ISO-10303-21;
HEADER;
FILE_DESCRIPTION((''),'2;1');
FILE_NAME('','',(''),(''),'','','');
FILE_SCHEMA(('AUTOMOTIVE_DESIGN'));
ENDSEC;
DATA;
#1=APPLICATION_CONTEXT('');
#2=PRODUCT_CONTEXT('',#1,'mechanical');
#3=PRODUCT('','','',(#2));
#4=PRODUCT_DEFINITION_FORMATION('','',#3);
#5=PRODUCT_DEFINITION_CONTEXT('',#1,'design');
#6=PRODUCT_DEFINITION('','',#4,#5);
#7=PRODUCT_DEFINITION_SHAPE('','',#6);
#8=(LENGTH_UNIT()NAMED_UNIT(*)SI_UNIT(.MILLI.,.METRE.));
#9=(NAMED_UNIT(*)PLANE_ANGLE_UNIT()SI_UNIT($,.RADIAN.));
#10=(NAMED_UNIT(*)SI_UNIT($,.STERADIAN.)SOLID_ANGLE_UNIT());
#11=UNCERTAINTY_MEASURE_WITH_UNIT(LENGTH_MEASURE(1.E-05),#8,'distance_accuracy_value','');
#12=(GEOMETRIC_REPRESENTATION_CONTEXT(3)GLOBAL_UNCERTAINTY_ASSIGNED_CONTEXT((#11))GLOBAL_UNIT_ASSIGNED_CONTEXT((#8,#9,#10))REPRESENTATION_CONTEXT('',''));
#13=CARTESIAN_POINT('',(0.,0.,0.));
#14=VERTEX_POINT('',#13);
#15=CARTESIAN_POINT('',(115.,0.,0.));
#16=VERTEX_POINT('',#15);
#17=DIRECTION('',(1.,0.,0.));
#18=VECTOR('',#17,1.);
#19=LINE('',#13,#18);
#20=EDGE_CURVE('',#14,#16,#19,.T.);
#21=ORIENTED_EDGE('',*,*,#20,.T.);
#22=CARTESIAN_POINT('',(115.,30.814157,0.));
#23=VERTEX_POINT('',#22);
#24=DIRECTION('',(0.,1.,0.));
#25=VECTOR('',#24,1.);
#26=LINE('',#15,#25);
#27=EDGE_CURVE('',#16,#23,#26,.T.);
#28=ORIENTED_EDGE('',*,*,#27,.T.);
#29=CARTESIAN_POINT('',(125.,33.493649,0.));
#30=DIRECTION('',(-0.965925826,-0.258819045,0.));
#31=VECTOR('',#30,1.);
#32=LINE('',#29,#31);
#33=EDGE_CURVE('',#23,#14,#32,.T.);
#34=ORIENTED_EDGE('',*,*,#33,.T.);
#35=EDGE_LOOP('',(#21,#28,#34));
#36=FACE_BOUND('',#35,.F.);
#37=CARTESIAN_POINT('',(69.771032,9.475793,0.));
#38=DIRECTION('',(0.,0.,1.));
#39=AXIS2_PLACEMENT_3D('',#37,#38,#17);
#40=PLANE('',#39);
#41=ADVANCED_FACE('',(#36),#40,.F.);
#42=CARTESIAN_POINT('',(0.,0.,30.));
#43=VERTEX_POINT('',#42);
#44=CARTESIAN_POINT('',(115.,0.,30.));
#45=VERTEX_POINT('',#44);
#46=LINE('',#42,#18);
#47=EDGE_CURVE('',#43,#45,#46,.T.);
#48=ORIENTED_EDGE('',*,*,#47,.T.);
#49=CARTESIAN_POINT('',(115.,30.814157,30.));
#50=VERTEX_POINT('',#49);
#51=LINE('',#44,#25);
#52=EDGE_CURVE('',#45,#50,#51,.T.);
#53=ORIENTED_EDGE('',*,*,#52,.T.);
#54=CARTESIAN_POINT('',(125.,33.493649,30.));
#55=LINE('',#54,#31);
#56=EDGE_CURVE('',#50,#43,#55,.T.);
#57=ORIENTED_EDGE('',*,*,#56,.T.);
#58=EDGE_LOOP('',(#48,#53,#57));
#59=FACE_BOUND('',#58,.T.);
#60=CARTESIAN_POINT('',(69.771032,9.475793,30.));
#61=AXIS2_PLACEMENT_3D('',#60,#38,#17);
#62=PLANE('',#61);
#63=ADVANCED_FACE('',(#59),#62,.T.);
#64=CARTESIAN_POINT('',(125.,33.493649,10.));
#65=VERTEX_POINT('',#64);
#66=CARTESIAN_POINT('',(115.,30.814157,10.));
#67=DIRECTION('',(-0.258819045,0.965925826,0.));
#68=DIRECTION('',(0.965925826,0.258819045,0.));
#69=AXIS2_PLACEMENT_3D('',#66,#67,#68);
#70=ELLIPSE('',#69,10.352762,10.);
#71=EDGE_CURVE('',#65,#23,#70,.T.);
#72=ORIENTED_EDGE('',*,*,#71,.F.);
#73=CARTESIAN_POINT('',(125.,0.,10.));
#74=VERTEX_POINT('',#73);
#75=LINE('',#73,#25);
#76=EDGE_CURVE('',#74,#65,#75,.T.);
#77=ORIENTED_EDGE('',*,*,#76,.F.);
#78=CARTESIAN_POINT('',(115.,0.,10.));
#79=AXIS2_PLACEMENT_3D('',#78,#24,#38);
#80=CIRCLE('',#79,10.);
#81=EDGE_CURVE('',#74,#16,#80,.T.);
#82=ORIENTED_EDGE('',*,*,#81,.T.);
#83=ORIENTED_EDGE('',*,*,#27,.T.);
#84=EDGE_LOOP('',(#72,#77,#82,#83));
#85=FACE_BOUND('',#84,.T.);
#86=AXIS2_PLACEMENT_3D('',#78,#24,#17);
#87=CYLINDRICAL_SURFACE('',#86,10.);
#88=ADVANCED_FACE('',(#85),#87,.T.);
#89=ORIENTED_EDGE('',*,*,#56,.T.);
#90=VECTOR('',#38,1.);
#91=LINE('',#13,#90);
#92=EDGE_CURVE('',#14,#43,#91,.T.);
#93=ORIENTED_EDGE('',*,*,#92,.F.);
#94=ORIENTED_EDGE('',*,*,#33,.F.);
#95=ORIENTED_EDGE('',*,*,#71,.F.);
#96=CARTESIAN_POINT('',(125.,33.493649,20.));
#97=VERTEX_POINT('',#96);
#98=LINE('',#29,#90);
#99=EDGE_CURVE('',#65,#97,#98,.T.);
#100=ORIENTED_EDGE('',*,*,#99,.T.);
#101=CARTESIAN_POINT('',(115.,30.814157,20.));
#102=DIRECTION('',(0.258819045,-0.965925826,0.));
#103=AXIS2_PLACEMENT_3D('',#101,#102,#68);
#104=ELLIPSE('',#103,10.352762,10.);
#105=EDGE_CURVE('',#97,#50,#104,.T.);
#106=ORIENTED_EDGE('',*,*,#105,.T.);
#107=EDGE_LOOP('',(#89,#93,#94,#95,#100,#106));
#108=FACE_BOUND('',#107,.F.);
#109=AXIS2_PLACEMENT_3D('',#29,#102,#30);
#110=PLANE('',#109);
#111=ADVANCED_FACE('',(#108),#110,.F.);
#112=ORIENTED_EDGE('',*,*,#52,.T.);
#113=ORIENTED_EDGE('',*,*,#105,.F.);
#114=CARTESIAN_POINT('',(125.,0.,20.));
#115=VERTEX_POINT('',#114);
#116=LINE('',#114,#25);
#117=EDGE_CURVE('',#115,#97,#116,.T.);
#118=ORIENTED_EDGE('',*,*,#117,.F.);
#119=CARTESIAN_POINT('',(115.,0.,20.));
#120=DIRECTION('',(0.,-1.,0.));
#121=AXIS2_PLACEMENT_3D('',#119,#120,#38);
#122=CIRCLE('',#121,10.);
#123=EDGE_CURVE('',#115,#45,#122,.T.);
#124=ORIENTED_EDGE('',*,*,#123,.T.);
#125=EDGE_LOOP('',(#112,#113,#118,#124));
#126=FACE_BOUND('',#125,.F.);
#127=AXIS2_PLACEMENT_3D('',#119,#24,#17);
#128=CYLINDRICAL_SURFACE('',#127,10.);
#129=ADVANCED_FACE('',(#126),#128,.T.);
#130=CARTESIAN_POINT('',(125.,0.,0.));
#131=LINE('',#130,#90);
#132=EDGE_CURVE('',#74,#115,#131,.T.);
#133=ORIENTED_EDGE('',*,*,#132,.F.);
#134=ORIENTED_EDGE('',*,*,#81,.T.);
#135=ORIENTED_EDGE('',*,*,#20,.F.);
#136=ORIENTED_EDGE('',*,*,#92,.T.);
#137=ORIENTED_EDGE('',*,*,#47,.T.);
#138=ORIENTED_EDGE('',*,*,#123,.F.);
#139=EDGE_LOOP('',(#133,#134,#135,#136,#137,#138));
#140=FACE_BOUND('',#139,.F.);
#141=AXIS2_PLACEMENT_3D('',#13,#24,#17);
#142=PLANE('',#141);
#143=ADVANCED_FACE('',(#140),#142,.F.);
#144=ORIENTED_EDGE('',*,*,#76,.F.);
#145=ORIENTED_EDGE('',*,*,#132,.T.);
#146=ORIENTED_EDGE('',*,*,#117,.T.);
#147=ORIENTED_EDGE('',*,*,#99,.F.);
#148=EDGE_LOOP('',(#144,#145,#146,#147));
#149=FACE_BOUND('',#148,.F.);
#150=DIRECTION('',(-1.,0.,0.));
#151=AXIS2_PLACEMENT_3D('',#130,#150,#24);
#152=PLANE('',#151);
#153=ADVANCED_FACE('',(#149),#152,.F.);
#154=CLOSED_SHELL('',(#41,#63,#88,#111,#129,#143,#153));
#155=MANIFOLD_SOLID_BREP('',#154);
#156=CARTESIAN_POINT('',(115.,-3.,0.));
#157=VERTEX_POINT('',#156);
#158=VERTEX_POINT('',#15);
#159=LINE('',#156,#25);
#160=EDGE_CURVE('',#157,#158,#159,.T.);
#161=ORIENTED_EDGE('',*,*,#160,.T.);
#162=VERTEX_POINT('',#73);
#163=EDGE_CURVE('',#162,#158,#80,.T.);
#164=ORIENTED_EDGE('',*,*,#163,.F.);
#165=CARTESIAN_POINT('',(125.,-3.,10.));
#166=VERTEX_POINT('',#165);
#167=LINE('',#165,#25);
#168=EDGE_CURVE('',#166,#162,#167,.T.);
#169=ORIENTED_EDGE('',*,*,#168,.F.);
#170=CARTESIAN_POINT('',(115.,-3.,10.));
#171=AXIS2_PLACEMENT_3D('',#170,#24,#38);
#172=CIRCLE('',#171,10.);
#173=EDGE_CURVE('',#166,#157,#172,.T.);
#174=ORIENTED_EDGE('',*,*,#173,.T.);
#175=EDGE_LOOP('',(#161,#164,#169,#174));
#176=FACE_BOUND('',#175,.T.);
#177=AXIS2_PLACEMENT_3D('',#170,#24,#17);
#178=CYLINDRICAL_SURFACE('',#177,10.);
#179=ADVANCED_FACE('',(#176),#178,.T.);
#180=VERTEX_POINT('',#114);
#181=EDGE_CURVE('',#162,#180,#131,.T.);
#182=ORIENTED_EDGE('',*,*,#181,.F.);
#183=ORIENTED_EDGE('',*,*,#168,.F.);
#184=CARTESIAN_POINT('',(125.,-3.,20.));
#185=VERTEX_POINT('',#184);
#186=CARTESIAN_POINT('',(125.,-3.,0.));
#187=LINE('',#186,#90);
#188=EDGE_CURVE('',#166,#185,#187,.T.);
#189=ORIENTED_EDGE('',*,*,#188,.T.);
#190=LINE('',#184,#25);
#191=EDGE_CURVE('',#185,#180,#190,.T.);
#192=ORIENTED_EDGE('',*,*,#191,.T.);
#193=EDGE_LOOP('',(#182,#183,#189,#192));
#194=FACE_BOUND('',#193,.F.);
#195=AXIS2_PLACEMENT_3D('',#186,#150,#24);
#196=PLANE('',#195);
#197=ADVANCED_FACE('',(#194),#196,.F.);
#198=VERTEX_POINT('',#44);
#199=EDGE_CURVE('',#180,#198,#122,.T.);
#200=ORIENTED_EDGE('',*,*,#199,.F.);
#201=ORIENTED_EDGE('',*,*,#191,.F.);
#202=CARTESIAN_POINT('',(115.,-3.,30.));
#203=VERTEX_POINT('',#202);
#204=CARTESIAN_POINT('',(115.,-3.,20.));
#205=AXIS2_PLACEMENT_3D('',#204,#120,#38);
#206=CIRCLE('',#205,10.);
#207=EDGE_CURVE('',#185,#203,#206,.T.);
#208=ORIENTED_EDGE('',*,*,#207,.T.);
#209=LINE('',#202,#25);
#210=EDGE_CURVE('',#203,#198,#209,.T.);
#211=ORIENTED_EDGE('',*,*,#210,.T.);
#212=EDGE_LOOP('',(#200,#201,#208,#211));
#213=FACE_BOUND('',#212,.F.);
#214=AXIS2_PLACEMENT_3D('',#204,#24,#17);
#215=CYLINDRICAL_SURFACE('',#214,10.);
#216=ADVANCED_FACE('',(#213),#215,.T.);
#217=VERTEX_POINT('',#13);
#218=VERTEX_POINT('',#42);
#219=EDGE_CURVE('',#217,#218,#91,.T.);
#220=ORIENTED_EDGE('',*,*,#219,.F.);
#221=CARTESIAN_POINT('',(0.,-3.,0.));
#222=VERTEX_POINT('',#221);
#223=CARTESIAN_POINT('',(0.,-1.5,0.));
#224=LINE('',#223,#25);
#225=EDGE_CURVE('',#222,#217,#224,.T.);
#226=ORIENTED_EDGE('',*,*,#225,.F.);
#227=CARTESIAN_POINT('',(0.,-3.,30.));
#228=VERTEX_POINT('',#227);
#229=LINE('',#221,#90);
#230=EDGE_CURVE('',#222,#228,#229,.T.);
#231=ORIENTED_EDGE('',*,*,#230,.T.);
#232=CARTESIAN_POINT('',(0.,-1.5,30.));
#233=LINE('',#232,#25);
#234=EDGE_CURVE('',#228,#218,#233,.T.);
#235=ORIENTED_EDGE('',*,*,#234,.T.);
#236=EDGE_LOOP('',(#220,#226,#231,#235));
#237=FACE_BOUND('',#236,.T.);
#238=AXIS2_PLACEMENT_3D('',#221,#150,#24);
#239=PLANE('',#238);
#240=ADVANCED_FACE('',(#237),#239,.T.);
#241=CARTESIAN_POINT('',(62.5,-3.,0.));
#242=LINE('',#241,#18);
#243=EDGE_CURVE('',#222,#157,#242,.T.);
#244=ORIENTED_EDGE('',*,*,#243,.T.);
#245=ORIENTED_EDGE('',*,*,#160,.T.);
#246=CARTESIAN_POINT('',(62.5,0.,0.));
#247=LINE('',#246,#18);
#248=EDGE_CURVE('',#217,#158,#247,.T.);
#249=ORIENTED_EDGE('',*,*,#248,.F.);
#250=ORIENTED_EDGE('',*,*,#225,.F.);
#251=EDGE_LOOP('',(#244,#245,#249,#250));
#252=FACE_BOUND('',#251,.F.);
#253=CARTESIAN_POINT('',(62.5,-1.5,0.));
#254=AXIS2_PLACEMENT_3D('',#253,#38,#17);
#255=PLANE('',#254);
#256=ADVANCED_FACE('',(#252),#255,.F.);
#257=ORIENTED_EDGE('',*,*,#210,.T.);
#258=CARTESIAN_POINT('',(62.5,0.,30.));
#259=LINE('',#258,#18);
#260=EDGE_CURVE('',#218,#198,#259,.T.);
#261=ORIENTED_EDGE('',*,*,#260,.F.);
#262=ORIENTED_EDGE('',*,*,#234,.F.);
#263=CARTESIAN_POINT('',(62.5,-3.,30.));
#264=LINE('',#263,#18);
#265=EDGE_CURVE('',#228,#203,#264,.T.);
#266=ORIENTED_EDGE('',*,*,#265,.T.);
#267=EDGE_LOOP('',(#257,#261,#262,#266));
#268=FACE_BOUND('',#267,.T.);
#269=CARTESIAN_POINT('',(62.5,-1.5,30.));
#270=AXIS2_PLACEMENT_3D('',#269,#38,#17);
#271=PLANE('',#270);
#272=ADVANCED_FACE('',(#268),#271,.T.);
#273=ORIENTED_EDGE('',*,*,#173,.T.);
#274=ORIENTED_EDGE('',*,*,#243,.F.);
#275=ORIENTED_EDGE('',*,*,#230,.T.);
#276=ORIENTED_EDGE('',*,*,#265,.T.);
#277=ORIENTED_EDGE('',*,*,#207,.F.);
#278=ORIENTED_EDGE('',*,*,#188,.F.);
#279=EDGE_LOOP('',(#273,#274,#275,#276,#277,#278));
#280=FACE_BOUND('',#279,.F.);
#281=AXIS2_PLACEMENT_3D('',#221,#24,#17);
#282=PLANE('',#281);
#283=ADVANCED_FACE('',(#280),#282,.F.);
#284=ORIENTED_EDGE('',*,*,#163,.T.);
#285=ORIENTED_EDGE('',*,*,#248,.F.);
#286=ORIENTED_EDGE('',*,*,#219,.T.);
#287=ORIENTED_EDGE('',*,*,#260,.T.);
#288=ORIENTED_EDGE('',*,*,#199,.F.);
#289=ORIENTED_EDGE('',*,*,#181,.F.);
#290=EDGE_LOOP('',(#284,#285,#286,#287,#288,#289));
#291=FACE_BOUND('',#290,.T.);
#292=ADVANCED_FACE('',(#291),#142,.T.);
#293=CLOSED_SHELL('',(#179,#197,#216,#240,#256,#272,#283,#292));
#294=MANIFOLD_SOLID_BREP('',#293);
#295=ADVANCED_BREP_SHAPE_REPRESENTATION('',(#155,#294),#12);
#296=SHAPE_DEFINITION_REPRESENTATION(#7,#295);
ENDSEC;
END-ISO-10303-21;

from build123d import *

# Parameters (mm, degrees)
F1_DEPTH = 30
F0_W     = 125
F0_H     = 3
F2_DEPTH = 30
F3_R     = 10
F3_2_R   = 10
F4_R     = 10
F5_R     = 10


with BuildPart() as f1:
    # F0 (on Top) → F1 (new body)
    with BuildSketch(Plane.XY):
        Polygon((125, 33.493649), (0, 0), (125, 0), align=None)
    extrude(amount=F1_DEPTH)

    # F3
    f3_edges = [f1.edges().sort_by_distance(p)[0] for p in [
        (125, 16.746825, 30),
    ]]
    fillet(f3_edges, radius=F3_R)

    # F4
    f4_edges = [f1.edges().sort_by_distance(p)[0] for p in [
        (125, 16.746825, 0),
    ]]
    fillet(f4_edges, radius=F4_R)


with BuildPart() as f2:
    # F0 (on Top) → F2 (new body)
    with BuildSketch(Plane.XY):
        with Locations((62.5, -1.5)):
            Rectangle(F0_W, F0_H)
    extrude(amount=F2_DEPTH)

    # F3#2
    f3_2_edges = [f2.edges().sort_by_distance(p)[0] for p in [
        (125, -1.5, 30),
    ]]
    fillet(f3_2_edges, radius=F3_2_R)

    # F5
    f5_edges = [f2.edges().sort_by_distance(p)[0] for p in [
        (125, -1.5, 0),
    ]]
    fillet(f5_edges, radius=F5_R)


solid = Compound([f1.part, f2.part])
